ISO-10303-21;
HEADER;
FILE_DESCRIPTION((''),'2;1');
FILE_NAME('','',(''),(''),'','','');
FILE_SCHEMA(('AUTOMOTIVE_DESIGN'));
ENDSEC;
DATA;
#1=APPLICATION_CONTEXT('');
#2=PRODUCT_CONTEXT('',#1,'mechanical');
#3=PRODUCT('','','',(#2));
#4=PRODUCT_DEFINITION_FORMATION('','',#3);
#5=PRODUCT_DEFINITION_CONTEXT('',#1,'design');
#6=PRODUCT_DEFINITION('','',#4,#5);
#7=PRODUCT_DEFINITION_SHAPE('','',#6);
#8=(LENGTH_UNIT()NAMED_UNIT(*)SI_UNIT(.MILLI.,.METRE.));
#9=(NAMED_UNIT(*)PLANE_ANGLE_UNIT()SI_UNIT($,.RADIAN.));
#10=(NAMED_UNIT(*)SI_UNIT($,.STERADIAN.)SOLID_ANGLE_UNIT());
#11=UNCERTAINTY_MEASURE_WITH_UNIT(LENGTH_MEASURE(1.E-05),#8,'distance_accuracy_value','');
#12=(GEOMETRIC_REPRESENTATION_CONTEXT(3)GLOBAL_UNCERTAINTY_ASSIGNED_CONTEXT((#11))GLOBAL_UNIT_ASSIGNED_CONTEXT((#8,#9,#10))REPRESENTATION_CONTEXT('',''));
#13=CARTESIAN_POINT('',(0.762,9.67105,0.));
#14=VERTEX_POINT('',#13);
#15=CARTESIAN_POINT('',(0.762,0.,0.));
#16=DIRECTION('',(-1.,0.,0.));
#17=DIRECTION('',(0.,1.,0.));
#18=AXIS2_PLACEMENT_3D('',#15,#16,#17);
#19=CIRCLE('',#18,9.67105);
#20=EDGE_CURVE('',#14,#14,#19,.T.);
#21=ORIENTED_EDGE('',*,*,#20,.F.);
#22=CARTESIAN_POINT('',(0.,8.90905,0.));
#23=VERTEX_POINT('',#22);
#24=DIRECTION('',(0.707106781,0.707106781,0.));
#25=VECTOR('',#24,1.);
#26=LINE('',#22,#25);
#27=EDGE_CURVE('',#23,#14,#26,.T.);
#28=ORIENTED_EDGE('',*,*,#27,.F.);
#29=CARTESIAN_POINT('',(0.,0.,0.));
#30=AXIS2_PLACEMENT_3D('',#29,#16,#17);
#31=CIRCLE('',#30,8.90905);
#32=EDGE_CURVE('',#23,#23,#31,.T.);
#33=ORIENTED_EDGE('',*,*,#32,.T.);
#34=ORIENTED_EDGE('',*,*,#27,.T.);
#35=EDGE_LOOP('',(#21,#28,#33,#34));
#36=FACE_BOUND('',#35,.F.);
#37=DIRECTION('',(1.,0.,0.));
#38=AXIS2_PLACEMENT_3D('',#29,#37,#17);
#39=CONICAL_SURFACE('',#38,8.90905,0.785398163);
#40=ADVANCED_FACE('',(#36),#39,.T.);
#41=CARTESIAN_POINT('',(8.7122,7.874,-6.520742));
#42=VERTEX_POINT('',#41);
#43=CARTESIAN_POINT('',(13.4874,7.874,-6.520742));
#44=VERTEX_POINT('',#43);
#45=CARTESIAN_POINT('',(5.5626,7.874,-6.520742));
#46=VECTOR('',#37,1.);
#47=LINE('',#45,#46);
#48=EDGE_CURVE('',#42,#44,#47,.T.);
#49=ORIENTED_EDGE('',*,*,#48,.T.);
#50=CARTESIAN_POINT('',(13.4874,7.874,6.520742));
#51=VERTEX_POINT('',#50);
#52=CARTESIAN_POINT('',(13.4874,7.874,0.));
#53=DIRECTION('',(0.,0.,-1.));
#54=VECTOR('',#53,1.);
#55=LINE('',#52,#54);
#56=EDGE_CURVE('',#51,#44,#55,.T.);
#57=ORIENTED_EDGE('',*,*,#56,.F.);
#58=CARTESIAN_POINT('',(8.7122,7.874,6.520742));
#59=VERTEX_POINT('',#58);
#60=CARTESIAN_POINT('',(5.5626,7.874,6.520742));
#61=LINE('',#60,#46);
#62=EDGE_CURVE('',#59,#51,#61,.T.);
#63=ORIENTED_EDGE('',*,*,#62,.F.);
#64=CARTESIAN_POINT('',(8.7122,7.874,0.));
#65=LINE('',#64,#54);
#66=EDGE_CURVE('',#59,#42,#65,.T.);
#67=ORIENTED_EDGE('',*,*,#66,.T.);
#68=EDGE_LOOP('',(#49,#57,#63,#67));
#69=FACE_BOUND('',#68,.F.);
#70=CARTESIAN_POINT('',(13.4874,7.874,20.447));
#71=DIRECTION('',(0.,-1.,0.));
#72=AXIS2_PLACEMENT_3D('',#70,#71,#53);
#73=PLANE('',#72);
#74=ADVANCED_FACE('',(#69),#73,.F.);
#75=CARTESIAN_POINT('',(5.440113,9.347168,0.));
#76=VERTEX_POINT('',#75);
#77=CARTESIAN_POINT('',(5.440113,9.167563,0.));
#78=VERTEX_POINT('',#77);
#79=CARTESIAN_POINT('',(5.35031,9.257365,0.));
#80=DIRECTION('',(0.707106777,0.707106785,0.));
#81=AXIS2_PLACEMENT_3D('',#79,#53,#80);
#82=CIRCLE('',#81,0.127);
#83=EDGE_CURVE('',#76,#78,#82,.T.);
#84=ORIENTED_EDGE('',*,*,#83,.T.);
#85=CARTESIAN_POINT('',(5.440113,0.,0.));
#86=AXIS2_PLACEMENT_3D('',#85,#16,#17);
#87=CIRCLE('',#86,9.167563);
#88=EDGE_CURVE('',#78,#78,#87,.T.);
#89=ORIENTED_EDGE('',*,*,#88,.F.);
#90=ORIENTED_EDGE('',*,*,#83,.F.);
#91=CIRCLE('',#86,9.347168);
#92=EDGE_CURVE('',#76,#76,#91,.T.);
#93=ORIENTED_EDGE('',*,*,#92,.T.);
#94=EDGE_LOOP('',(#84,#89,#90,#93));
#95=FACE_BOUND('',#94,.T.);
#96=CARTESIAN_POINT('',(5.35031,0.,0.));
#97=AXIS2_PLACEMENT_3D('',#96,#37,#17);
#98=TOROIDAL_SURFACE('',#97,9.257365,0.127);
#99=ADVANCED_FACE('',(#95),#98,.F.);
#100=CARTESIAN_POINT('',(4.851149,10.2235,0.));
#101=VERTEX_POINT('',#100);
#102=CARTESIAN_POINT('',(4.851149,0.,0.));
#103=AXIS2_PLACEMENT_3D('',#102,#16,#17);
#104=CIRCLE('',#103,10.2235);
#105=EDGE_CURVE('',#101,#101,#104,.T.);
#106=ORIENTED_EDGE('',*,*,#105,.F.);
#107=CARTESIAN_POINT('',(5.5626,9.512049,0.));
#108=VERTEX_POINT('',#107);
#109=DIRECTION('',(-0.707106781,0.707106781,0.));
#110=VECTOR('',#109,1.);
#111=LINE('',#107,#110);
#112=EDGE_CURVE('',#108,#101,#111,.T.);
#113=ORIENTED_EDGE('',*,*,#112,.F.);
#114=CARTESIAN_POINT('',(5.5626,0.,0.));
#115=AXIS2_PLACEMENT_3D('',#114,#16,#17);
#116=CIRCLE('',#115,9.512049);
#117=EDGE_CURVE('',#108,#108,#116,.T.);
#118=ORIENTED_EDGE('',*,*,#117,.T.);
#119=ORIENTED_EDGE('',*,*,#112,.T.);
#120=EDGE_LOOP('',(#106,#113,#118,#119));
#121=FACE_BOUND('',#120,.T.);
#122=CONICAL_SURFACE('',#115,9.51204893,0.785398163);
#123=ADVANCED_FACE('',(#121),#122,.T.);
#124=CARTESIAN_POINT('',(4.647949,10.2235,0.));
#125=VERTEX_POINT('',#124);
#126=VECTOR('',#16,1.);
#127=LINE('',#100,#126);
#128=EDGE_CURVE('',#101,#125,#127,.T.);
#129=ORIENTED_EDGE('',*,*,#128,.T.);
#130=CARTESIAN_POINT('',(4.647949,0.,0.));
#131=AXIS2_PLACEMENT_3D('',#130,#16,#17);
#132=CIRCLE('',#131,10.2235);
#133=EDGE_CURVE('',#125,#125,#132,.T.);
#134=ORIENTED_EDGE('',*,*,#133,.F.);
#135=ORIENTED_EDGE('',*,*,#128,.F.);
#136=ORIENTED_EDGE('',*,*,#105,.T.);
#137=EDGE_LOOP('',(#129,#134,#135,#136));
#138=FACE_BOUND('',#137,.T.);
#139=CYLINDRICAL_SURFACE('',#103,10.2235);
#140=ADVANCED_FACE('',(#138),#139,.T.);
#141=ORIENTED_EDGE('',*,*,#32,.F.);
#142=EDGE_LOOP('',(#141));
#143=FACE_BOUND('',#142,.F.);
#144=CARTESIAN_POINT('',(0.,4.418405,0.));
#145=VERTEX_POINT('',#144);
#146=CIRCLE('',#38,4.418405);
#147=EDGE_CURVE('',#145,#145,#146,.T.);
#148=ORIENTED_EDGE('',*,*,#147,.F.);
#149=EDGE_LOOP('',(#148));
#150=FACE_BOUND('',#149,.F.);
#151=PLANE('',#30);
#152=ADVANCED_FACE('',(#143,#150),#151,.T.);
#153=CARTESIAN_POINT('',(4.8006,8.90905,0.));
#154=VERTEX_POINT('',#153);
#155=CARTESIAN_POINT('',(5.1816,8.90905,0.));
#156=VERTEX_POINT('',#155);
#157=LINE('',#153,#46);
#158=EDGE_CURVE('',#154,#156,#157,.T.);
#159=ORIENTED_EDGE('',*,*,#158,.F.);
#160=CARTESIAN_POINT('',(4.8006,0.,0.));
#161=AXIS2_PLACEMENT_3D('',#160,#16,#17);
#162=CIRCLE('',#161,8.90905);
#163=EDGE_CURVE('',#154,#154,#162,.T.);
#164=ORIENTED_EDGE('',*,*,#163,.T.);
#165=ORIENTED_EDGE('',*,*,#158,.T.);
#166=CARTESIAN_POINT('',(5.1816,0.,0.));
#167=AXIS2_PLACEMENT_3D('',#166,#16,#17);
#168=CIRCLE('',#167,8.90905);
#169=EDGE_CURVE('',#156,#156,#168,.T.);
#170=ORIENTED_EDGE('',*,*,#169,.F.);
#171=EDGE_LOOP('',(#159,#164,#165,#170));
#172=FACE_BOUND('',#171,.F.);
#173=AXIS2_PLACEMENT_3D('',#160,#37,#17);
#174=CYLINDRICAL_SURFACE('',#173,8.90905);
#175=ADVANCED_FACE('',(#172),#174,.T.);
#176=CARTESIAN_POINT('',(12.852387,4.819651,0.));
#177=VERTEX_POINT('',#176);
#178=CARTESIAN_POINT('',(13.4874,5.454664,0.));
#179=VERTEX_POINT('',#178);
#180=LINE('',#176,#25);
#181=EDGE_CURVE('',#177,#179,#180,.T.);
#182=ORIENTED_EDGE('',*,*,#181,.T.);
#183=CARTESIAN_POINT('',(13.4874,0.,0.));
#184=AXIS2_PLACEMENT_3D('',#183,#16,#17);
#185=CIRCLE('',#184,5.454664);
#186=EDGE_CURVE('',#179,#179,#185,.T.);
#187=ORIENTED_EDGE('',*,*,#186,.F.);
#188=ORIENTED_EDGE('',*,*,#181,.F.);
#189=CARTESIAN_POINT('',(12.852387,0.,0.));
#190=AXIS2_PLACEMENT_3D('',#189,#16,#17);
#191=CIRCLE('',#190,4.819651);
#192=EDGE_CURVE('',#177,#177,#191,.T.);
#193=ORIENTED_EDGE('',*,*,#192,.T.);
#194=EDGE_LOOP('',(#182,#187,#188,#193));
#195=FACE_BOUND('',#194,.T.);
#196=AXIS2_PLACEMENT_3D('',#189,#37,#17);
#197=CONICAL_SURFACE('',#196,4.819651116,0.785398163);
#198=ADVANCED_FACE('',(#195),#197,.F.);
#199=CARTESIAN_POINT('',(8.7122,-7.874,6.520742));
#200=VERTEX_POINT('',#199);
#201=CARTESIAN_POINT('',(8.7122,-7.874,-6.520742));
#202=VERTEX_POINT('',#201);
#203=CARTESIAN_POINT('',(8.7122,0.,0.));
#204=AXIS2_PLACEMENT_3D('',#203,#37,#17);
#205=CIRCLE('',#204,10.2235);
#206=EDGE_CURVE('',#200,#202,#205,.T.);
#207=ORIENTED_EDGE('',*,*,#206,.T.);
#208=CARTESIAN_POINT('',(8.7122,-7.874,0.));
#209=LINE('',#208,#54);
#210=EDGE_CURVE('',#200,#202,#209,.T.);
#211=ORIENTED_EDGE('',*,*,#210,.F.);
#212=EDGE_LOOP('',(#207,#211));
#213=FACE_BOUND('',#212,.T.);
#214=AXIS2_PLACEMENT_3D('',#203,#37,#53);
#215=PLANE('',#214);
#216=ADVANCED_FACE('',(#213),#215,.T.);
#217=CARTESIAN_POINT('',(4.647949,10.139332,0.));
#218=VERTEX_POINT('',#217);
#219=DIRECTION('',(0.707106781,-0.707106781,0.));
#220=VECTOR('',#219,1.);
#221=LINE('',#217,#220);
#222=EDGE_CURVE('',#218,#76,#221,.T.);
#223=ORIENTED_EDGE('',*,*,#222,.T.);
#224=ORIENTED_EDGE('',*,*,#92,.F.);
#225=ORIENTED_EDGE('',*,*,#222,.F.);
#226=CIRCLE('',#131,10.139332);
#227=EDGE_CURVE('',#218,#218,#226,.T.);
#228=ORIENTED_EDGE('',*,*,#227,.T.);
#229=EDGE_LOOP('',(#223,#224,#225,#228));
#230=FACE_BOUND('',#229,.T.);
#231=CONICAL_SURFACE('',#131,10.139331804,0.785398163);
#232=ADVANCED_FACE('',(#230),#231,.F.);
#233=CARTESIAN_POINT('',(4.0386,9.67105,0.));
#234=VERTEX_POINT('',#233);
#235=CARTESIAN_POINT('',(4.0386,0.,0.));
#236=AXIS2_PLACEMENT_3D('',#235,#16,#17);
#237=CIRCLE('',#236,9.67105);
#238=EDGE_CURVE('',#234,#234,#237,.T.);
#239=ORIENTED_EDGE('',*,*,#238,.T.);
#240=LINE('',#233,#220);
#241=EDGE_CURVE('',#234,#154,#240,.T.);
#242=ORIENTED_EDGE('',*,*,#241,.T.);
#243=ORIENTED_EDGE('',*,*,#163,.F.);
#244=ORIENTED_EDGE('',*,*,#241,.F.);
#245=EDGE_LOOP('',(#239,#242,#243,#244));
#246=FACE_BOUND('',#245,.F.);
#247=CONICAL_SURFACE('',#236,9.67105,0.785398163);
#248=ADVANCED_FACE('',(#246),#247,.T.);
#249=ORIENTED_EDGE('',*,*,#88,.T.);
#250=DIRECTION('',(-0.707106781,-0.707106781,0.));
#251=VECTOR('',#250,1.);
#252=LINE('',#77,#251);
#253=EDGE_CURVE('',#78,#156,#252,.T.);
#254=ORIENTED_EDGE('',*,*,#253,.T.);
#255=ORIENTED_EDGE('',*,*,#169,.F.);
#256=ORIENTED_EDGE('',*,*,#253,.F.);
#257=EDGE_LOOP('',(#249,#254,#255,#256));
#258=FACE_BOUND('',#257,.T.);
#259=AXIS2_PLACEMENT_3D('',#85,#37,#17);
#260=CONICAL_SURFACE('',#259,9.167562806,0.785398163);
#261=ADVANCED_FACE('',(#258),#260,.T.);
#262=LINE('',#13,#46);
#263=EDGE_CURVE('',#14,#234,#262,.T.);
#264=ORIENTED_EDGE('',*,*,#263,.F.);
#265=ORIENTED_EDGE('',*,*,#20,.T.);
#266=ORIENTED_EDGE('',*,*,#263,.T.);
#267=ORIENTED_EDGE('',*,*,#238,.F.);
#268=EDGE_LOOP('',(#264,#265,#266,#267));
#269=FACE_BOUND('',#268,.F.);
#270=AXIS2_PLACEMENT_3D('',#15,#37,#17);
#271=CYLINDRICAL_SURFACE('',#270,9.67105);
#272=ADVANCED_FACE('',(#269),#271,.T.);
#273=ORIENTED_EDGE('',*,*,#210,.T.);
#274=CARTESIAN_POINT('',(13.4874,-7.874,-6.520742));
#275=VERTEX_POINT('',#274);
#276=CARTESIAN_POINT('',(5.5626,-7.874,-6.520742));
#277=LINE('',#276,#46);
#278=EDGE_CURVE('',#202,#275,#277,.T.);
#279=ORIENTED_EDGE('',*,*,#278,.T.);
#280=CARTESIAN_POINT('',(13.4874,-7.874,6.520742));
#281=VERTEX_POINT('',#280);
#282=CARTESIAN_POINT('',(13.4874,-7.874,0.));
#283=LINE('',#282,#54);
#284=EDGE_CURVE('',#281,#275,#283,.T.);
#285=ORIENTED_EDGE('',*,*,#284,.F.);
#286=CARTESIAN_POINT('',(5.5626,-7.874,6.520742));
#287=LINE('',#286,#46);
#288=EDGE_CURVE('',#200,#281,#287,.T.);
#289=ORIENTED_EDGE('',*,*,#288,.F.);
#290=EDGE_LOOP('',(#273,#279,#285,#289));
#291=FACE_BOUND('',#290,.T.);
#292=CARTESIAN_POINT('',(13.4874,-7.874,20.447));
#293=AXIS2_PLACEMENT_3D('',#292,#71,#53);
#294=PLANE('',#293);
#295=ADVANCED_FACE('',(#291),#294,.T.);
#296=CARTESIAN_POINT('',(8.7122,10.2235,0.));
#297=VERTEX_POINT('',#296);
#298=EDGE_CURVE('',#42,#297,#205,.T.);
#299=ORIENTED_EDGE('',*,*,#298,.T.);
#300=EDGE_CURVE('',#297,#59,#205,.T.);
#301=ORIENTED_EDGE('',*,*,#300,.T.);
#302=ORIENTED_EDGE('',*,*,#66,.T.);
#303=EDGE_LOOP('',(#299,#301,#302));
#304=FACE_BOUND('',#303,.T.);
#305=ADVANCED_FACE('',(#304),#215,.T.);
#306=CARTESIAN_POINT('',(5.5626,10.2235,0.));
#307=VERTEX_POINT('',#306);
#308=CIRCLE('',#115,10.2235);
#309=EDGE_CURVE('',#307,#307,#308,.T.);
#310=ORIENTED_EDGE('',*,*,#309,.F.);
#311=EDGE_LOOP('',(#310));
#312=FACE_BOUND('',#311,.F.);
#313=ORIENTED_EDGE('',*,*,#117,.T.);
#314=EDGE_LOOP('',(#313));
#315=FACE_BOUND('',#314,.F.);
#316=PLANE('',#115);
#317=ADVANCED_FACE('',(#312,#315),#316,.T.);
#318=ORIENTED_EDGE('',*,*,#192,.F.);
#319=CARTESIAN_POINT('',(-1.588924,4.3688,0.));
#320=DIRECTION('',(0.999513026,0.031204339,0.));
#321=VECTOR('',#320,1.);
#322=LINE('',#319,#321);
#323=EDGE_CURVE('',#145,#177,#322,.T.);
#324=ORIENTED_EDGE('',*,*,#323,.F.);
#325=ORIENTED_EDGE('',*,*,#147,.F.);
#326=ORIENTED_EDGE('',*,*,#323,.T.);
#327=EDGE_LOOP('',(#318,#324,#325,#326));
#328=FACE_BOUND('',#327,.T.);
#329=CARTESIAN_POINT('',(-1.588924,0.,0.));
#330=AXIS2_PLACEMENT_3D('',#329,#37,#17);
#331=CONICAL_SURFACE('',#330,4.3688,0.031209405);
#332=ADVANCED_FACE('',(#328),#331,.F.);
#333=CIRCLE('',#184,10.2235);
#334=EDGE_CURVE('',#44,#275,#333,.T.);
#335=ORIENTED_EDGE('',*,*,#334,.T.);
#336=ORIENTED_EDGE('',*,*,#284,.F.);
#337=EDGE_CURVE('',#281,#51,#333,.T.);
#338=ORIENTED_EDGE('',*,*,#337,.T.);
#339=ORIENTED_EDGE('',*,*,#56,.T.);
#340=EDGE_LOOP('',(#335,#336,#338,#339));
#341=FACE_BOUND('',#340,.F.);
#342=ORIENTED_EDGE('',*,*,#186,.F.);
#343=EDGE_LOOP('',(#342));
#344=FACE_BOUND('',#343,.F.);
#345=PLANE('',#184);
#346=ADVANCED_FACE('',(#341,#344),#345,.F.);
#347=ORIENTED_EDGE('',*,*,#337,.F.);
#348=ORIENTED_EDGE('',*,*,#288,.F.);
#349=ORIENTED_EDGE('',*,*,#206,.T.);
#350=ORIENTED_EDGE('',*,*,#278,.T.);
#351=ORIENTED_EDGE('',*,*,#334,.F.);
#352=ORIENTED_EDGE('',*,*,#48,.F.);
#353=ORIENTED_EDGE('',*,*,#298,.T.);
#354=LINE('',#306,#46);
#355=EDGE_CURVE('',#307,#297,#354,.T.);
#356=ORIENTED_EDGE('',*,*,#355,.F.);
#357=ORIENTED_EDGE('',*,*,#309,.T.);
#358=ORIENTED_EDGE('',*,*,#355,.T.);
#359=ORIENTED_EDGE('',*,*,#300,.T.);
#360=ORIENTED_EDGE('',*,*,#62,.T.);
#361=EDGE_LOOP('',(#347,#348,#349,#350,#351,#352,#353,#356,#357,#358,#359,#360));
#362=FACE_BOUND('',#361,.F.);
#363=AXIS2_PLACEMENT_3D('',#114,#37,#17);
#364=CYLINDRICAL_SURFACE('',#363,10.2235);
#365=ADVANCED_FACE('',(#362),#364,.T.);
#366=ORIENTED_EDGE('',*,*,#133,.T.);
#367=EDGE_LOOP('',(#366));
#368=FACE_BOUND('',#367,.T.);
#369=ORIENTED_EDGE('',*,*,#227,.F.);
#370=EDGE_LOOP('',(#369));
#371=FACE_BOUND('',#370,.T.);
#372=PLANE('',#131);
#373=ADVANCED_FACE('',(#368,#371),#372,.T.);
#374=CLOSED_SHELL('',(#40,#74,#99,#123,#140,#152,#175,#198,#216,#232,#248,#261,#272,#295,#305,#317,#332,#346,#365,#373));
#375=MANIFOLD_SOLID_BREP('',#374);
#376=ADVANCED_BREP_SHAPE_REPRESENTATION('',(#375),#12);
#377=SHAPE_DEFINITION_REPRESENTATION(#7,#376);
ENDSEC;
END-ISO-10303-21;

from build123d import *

# Parameters (mm, degrees)
SKETCH3_W          = 81.788
SKETCH3_H          = 40.894
SKETCH3_W_2        = 40.894
SKETCH3_H_2        = 15.748
CUT_EXTRUDE1_DEPTH = 4.7752


with BuildPart() as part:
    # Sketch1 → Revolve1 (revolve)
    with BuildSketch(Plane.XY):
        Polygon((0, 0), (0, 8.90905), (0.762, 9.67105), (4.0386, 9.67105), (4.8006, 8.90905), (5.5626, 8.90905), (5.5626, 10.2235), (13.4874, 10.2235), (13.4874, 0), align=None)
    revolve(axis=Axis((13.4874, 0, 0), (-1, 0, 0)))

    # Sketch2 → Cut-Revolve1 (revolve, cut)
    with BuildSketch(Plane.XY):
        Polygon((0, 0), (0, 4.3688), (-1.588923892, 4.3688), (12.852387191, 4.819651116), (13.4874, 5.454663925), (13.4874, 0), align=None)
    revolve(axis=Axis((13.4874, 0, 0), (-1, 0, 0)), mode=Mode.SUBTRACT)

    # Sketch3 → Cut-Extrude1 (cut)
    with BuildSketch(Plane(origin=(13.4874, 0, 0), x_dir=(0, 0, -1), z_dir=(1, 0, 0))):
        Rectangle(SKETCH3_W, SKETCH3_H)
        Rectangle(SKETCH3_W_2, SKETCH3_H_2, mode=Mode.SUBTRACT)
    extrude(amount=-CUT_EXTRUDE1_DEPTH, mode=Mode.SUBTRACT)

    # Sketch4 → Revolve2 (revolve)
    with BuildSketch(Plane.XY):
        with BuildLine():
            Line((4.64794893, 10.2235), (4.64794893, 10.139331804))
            Line((4.64794893, 10.139331804), (5.440112806, 9.347167928))
            ThreePointArc((5.440112806, 9.347167928), (5.477310245, 9.257365367), (5.440112806, 9.167562806))
            Line((5.440112806, 9.167562806), (5.1816, 8.90905))
            Line((5.1816, 8.90905), (4.8006, 8.90905))
            Line((4.8006, 8.90905), (4.8006, 8.65505))
            Line((4.8006, 8.65505), (5.5626, 8.65505))
            Line((5.5626, 8.65505), (5.5626, 9.51204893))
            Line((5.5626, 9.51204893), (4.85114893, 10.2235))
            Line((4.85114893, 10.2235), (4.64794893, 10.2235))
        make_face()
    revolve(axis=Axis((5.5626, 0, 0), (-1, 0, 0)))


solid = part.part
